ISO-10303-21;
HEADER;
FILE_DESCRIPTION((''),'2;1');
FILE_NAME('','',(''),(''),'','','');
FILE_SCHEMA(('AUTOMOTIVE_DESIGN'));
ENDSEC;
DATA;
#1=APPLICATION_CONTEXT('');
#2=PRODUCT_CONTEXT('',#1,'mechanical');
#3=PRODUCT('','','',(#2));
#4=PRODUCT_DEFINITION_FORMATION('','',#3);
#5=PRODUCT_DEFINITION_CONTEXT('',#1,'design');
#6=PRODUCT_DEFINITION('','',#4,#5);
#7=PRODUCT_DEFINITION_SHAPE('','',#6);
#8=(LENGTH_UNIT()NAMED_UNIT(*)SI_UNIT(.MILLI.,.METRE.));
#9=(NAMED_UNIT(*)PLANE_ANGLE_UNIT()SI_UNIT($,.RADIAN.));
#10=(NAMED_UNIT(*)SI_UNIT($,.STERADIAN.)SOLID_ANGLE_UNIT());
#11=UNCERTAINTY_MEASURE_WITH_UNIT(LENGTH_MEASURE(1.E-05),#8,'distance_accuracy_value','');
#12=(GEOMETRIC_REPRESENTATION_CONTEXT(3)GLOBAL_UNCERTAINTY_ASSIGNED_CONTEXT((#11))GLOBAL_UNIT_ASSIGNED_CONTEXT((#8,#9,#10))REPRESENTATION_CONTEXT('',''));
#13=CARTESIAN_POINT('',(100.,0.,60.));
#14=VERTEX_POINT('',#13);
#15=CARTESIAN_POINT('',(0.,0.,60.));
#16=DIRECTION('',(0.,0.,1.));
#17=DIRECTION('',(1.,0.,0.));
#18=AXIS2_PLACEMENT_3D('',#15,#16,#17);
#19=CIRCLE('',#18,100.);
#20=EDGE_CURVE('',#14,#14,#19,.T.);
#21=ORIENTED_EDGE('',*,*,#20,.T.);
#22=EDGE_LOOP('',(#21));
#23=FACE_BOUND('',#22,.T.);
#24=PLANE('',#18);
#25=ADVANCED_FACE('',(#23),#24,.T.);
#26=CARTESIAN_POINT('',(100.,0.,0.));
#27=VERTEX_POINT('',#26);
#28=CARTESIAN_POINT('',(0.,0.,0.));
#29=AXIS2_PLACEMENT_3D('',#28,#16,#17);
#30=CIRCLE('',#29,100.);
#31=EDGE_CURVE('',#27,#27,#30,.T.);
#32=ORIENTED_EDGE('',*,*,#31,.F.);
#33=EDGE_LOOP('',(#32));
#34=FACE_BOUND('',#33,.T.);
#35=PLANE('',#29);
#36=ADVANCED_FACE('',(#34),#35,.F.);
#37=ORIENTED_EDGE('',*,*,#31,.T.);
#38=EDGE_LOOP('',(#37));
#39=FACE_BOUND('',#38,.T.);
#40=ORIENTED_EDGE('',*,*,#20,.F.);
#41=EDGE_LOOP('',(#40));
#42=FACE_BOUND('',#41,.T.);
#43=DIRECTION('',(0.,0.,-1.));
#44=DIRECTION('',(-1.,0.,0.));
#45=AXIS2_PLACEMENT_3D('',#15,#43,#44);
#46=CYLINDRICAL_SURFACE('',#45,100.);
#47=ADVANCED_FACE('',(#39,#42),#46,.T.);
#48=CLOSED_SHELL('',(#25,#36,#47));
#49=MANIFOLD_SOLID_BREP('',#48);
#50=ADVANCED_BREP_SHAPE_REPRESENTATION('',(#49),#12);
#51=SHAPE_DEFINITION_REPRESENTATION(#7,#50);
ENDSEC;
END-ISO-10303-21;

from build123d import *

# Parameters (mm, degrees)
SKETCH1_R           = 100
BOSS_EXTRUDE1_DEPTH = 60


with BuildPart() as part:
    # Sketch1 → Boss-Extrude1 (new body)
    with BuildSketch(Plane.XY):
        Circle(SKETCH1_R)
    extrude(amount=BOSS_EXTRUDE1_DEPTH)


solid = part.part
